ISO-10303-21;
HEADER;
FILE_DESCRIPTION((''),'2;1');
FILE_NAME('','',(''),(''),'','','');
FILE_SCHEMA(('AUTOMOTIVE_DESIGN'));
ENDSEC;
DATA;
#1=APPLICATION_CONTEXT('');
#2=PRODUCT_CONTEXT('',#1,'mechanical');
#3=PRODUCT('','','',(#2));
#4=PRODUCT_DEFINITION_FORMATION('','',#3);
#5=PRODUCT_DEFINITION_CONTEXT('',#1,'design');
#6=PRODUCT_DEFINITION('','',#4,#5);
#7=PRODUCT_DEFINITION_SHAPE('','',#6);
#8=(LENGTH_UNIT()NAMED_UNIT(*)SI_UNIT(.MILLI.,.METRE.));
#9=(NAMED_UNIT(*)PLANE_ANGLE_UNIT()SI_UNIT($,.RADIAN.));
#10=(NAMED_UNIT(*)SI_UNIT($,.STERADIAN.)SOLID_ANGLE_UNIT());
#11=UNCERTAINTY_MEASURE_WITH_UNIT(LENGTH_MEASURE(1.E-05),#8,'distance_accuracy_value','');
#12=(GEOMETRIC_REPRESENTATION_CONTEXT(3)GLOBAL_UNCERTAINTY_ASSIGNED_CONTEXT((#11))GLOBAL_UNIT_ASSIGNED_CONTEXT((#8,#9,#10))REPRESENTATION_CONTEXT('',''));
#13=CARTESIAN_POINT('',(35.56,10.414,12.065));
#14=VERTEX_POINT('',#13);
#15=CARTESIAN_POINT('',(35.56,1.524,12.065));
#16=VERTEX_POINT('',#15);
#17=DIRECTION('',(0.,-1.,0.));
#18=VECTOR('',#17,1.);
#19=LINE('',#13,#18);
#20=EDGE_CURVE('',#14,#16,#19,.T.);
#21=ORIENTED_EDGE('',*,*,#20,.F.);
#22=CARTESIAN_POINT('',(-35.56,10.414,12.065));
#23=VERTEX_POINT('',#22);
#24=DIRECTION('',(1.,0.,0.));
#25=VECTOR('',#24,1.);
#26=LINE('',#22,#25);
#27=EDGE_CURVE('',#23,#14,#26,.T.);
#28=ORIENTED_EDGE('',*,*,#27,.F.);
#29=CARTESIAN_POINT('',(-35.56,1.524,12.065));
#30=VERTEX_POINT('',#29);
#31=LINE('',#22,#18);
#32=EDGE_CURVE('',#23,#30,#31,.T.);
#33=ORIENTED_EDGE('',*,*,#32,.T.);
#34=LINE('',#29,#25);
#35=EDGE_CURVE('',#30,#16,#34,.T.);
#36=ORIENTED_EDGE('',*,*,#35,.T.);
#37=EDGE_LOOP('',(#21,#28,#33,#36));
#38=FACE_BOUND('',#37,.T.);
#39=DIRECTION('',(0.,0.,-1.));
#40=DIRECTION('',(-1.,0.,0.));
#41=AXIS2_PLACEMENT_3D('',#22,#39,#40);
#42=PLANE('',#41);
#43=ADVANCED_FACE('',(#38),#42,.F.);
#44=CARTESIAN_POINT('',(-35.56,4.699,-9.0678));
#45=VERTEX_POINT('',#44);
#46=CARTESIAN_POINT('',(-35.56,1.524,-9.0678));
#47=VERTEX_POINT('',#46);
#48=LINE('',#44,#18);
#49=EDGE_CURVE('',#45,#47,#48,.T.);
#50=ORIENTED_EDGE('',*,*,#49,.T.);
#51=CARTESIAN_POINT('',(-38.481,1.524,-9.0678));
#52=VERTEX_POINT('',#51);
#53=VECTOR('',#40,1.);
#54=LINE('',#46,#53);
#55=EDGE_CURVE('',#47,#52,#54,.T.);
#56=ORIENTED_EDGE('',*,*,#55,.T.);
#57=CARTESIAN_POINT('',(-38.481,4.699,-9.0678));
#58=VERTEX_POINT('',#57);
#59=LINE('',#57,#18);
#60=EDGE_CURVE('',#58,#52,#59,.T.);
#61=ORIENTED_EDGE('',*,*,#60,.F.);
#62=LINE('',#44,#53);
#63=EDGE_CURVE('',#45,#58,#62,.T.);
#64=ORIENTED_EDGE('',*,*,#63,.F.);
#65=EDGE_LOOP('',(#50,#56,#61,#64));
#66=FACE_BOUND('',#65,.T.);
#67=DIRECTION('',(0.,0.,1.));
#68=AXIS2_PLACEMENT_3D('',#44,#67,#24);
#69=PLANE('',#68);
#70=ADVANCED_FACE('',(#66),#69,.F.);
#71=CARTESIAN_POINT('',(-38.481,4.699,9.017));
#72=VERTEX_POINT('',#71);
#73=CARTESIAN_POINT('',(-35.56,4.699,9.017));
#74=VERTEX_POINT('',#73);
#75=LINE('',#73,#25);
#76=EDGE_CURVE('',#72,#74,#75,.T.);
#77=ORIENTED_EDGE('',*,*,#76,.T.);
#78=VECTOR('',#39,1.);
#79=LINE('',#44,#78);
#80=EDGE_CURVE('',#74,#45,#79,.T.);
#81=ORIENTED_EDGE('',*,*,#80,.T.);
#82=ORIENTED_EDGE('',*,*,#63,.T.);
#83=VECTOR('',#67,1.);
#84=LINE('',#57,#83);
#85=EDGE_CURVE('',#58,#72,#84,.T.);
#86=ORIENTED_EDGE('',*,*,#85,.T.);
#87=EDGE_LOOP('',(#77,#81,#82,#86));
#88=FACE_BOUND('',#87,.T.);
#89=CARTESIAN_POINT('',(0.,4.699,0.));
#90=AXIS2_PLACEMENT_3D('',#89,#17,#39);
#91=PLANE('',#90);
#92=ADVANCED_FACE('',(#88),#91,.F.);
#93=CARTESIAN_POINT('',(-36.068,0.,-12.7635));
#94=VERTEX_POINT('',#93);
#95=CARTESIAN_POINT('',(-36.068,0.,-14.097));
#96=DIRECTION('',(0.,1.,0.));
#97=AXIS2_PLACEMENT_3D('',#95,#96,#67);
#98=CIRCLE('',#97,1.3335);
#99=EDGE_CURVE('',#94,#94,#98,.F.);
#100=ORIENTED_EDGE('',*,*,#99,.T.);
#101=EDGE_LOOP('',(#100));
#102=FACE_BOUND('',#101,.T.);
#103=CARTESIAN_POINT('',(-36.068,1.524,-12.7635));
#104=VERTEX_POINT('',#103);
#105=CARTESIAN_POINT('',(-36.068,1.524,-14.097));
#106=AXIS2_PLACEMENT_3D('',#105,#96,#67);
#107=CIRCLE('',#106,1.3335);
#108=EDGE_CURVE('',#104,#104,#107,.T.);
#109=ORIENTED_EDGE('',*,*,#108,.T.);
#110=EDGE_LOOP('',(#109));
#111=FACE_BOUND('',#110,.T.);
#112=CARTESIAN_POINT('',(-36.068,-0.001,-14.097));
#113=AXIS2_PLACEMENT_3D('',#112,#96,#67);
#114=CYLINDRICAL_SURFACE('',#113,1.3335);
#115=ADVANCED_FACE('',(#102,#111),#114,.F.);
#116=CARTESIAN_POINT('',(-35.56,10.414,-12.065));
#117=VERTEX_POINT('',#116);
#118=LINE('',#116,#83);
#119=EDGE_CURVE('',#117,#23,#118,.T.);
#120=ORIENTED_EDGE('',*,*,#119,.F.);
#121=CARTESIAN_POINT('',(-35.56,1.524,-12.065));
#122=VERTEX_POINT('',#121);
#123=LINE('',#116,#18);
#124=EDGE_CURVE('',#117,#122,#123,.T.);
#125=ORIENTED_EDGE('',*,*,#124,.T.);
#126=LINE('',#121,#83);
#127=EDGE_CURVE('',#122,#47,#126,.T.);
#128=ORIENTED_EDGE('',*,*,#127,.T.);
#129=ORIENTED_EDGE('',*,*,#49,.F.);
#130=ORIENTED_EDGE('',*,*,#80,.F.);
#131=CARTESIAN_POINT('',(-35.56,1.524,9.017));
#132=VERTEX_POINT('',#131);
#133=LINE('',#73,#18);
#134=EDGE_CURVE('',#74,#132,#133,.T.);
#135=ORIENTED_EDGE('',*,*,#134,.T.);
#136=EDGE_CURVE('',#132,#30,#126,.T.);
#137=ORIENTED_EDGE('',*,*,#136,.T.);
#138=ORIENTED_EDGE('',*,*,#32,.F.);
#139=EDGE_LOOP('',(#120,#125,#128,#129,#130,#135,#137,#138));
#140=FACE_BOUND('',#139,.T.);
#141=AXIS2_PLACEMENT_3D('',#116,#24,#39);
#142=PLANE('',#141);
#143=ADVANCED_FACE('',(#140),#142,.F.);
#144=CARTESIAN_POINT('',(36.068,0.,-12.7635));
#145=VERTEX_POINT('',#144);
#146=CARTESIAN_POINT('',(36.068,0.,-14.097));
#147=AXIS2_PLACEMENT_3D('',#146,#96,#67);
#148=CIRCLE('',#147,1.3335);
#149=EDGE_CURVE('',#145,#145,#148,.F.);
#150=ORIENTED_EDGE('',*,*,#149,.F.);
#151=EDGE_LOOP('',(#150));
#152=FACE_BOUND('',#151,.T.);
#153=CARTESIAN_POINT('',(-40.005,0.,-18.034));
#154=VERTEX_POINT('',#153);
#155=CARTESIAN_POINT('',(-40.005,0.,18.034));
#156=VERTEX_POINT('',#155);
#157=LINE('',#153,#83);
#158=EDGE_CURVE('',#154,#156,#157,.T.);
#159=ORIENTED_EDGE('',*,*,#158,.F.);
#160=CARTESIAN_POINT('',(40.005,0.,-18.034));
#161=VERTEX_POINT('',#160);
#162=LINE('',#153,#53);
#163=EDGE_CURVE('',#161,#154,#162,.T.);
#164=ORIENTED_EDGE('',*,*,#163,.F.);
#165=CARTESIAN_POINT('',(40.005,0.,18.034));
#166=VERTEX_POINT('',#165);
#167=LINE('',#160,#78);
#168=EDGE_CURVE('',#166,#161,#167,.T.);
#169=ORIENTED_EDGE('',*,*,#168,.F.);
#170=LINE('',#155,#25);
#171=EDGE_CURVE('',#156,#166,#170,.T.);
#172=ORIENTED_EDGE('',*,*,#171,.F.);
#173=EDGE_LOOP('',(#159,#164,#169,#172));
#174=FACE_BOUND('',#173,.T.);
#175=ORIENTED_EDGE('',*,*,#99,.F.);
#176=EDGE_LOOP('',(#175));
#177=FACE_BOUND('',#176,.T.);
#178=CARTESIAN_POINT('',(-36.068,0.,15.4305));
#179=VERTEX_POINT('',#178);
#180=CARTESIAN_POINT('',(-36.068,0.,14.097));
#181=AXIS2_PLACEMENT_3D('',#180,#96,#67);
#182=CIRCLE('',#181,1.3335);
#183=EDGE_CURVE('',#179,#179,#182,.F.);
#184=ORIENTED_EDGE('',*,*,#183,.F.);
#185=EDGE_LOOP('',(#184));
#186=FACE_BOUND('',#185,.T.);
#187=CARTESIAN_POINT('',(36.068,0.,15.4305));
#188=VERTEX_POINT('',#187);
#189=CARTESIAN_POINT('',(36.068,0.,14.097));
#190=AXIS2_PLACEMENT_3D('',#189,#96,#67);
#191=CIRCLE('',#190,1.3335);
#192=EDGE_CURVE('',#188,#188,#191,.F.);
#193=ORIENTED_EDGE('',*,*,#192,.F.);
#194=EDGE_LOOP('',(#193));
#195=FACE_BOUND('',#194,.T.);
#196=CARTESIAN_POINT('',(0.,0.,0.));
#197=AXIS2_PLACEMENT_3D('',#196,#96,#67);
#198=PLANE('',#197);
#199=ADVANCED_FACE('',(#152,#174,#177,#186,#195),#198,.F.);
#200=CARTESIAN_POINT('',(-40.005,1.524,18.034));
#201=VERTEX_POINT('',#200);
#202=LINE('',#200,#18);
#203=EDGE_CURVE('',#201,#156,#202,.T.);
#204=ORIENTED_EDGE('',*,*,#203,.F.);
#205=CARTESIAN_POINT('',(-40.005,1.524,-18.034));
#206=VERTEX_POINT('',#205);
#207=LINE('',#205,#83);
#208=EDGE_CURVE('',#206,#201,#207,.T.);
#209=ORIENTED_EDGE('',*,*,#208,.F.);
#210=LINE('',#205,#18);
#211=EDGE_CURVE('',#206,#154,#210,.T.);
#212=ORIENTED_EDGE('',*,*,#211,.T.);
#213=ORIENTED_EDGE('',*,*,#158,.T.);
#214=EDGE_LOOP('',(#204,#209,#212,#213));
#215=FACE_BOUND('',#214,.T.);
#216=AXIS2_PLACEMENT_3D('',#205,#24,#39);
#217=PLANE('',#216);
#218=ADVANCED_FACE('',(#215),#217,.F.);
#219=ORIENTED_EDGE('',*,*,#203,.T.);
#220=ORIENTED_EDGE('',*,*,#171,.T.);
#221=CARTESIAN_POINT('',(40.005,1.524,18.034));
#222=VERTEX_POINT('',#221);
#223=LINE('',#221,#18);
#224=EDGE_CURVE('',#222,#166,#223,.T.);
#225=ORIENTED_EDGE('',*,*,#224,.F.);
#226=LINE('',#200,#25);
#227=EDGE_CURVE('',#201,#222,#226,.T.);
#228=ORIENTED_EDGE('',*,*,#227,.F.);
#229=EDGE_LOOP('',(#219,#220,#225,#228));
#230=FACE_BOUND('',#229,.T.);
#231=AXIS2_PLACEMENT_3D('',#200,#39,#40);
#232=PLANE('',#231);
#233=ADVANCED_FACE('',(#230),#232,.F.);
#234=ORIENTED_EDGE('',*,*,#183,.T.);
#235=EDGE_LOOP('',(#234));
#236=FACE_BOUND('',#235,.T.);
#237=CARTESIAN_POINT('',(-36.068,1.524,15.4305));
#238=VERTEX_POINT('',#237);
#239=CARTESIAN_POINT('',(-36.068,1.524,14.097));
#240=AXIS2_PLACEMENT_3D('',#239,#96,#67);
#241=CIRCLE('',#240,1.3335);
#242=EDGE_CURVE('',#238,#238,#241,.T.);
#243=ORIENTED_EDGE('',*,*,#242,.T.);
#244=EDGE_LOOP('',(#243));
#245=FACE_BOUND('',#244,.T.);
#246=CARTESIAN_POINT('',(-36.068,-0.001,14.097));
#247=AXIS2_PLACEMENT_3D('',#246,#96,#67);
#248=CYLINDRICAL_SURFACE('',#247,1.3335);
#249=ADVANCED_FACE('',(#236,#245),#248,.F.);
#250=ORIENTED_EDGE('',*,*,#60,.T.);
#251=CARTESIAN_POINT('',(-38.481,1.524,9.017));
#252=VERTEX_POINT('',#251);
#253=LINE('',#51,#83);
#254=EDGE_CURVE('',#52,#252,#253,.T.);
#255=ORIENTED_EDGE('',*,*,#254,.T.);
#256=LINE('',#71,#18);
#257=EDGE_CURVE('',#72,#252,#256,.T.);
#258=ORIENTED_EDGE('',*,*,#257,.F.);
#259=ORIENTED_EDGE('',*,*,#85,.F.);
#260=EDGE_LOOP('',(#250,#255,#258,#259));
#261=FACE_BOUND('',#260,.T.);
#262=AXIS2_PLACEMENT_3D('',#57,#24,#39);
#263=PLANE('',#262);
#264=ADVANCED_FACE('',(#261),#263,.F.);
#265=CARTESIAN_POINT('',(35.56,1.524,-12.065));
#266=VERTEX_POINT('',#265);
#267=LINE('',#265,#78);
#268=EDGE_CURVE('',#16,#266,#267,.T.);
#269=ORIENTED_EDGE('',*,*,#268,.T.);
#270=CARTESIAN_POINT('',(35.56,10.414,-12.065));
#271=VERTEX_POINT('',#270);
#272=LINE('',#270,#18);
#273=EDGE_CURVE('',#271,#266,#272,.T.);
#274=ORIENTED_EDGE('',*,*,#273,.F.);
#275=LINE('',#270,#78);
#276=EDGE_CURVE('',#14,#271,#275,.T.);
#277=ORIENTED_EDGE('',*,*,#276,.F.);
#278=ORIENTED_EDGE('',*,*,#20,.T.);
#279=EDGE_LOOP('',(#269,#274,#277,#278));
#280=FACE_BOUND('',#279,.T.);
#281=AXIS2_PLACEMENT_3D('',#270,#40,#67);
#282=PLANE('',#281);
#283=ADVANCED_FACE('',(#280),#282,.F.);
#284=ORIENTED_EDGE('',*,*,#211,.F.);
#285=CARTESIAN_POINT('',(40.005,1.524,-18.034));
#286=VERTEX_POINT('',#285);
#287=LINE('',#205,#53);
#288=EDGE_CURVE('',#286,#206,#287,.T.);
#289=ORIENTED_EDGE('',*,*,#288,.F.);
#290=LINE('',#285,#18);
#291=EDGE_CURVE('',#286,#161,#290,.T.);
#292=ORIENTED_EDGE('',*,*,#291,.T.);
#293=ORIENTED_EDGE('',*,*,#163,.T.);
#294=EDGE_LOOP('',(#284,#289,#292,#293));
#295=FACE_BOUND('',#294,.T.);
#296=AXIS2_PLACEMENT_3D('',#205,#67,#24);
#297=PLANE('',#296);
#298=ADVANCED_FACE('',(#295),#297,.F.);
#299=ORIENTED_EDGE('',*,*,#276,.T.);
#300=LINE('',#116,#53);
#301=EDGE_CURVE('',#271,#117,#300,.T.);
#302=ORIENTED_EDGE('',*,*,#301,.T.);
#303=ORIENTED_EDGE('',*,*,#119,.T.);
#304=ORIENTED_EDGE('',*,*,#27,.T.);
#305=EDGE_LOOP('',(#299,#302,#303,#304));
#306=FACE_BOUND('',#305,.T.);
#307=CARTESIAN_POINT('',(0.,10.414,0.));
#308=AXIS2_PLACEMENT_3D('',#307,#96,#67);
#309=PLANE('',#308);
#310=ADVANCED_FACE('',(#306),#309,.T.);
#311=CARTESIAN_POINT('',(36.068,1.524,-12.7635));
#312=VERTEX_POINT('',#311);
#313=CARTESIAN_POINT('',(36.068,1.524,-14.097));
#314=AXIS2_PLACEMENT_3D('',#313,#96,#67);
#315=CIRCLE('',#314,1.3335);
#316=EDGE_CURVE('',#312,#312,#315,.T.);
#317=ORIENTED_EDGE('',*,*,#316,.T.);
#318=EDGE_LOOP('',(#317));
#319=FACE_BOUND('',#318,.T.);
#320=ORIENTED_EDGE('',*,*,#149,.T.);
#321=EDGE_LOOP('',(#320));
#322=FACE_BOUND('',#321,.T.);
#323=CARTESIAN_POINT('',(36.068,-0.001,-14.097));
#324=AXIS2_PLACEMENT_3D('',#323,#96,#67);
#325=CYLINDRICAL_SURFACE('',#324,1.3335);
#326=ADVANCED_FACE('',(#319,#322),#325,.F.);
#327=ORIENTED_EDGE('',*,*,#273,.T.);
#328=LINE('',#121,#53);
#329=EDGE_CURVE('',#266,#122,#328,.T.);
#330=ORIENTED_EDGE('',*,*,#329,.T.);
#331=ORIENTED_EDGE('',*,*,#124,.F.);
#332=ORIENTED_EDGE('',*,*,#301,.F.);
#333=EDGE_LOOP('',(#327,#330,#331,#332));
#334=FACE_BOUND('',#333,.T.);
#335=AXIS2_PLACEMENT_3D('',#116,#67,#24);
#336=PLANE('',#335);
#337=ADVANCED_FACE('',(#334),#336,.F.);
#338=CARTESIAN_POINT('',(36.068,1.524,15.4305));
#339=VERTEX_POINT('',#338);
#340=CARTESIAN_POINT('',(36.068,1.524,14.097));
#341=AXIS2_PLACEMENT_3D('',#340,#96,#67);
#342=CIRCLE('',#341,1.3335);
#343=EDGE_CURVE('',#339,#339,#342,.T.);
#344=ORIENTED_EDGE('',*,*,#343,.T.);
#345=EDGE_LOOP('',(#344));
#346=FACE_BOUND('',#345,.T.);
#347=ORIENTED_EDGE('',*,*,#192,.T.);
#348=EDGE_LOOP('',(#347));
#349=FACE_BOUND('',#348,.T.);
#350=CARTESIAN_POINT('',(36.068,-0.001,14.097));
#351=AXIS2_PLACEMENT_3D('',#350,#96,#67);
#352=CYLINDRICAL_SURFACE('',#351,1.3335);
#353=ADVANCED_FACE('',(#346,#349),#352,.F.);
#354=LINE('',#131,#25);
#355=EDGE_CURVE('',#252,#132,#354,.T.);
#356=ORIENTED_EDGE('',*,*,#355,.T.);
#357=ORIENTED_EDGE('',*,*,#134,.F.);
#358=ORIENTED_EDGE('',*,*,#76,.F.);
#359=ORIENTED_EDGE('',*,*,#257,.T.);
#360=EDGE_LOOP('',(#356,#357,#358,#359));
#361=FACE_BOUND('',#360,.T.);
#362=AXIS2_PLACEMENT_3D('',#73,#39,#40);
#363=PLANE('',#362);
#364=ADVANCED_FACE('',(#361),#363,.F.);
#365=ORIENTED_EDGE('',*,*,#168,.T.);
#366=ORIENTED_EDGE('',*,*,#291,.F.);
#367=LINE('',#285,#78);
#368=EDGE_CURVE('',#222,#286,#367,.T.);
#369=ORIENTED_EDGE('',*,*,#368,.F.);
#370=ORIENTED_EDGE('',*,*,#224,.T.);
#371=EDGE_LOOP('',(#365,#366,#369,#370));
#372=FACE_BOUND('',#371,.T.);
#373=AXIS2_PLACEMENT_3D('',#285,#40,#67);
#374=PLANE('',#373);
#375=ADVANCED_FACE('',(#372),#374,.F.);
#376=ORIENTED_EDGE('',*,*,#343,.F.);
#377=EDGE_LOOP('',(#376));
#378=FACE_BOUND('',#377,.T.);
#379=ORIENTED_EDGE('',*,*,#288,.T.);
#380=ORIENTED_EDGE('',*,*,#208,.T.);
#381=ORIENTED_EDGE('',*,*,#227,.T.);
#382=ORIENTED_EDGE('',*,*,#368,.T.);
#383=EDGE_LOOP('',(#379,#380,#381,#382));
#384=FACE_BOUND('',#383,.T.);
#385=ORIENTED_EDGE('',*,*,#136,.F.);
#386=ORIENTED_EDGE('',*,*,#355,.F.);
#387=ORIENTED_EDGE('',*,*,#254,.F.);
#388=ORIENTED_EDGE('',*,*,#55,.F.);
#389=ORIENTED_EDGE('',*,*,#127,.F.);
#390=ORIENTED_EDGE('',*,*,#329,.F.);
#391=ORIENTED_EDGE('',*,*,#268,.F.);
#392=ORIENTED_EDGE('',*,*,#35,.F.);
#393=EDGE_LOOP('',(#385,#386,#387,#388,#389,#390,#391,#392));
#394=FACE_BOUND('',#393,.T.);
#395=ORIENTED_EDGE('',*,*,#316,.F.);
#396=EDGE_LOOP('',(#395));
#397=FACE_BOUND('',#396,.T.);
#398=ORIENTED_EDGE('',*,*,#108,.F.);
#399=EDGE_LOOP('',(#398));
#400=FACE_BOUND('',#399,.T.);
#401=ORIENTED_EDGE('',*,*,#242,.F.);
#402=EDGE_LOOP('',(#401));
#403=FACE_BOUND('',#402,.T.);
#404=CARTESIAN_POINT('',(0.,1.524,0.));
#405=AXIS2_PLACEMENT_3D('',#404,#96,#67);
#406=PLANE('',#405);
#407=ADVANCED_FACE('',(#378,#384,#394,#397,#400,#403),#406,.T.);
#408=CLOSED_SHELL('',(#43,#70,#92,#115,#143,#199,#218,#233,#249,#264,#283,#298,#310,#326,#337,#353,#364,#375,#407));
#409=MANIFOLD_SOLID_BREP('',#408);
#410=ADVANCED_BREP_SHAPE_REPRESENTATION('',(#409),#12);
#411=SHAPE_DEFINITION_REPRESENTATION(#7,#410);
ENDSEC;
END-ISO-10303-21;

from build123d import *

# Parameters (mm, degrees)
SKETCH1_W           = 80.01
SKETCH1_H           = 36.068
BOSS_EXTRUDE1_DEPTH = 1.524
CUT_EXTRUDE1_REACH  = 45.908
SKETCH2_R           = 1.3335
SKETCH3_W           = 71.12
SKETCH3_H           = 24.13
BOSS_EXTRUDE2_DEPTH = 8.89
SKETCH4_W           = 2.921
SKETCH4_H           = 18.0848
BOSS_EXTRUDE3_DEPTH = 3.175


with BuildPart() as part:
    # Sketch1 → Boss-Extrude1 (new body)
    with BuildSketch(Plane(origin=(0, 0, 0), x_dir=(1, 0, 0), z_dir=(0, 1, 0))):
        Rectangle(SKETCH1_W, SKETCH1_H)
    extrude(amount=BOSS_EXTRUDE1_DEPTH)

    # Sketch2 → Cut-Extrude1 (cut, up to next)
    with BuildSketch(Plane(origin=(0, 1.524, 0), x_dir=(1, 0, 0), z_dir=(0, 1, 0)), mode=Mode.PRIVATE) as cut_extrude1_sk1:
        with Locations(Location((-36.068, 14.097, 0), (0, 0, 270))):
            Circle(SKETCH2_R)
    cut_extrude1_tool1 = extrude(cut_extrude1_sk1.sketch, amount=-CUT_EXTRUDE1_REACH, mode=Mode.PRIVATE) & part.part
    # Sketch2 → Cut-Extrude1 (cut, up to next)
    with BuildSketch(Plane(origin=(0, 1.524, 0), x_dir=(1, 0, 0), z_dir=(0, 1, 0)), mode=Mode.PRIVATE) as cut_extrude1_sk2:
        with Locations(Location((36.068, 14.097, 0), (0, 0, 270))):
            Circle(SKETCH2_R)
    cut_extrude1_tool2 = extrude(cut_extrude1_sk2.sketch, amount=-CUT_EXTRUDE1_REACH, mode=Mode.PRIVATE) & part.part
    # Sketch2 → Cut-Extrude1 (cut, up to next)
    with BuildSketch(Plane(origin=(0, 1.524, 0), x_dir=(1, 0, 0), z_dir=(0, 1, 0)), mode=Mode.PRIVATE) as cut_extrude1_sk3:
        with Locations(Location((36.068, -14.097, 0), (0, 0, 270))):
            Circle(SKETCH2_R)
    cut_extrude1_tool3 = extrude(cut_extrude1_sk3.sketch, amount=-CUT_EXTRUDE1_REACH, mode=Mode.PRIVATE) & part.part
    # Sketch2 → Cut-Extrude1 (cut, up to next)
    with BuildSketch(Plane(origin=(0, 1.524, 0), x_dir=(1, 0, 0), z_dir=(0, 1, 0)), mode=Mode.PRIVATE) as cut_extrude1_sk4:
        with Locations(Location((-36.068, -14.097, 0), (0, 0, 270))):
            Circle(SKETCH2_R)
    cut_extrude1_tool4 = extrude(cut_extrude1_sk4.sketch, amount=-CUT_EXTRUDE1_REACH, mode=Mode.PRIVATE) & part.part
    add(cut_extrude1_tool1.solids().sort_by_distance((-36.068, 1.524, -14.097))[0], mode=Mode.SUBTRACT)
    add(cut_extrude1_tool2.solids().sort_by_distance((36.068, 1.524, -14.097))[0], mode=Mode.SUBTRACT)
    add(cut_extrude1_tool3.solids().sort_by_distance((36.068, 1.524, 14.097))[0], mode=Mode.SUBTRACT)
    add(cut_extrude1_tool4.solids().sort_by_distance((-36.068, 1.524, 14.097))[0], mode=Mode.SUBTRACT)

    # Sketch3 → Boss-Extrude2 (add)
    with BuildSketch(Plane(origin=(0, 1.524, 0), x_dir=(1, 0, 0), z_dir=(0, 1, 0))):
        Rectangle(SKETCH3_W, SKETCH3_H)
    extrude(amount=BOSS_EXTRUDE2_DEPTH)

    # Sketch4 → Boss-Extrude3 (add)
    with BuildSketch(Plane(origin=(0, 1.524, 0), x_dir=(1, 0, 0), z_dir=(0, 1, 0))):
        with Locations((-37.0205, 0.0254)):
            Rectangle(SKETCH4_W, SKETCH4_H)
    extrude(amount=BOSS_EXTRUDE3_DEPTH)


solid = part.part
